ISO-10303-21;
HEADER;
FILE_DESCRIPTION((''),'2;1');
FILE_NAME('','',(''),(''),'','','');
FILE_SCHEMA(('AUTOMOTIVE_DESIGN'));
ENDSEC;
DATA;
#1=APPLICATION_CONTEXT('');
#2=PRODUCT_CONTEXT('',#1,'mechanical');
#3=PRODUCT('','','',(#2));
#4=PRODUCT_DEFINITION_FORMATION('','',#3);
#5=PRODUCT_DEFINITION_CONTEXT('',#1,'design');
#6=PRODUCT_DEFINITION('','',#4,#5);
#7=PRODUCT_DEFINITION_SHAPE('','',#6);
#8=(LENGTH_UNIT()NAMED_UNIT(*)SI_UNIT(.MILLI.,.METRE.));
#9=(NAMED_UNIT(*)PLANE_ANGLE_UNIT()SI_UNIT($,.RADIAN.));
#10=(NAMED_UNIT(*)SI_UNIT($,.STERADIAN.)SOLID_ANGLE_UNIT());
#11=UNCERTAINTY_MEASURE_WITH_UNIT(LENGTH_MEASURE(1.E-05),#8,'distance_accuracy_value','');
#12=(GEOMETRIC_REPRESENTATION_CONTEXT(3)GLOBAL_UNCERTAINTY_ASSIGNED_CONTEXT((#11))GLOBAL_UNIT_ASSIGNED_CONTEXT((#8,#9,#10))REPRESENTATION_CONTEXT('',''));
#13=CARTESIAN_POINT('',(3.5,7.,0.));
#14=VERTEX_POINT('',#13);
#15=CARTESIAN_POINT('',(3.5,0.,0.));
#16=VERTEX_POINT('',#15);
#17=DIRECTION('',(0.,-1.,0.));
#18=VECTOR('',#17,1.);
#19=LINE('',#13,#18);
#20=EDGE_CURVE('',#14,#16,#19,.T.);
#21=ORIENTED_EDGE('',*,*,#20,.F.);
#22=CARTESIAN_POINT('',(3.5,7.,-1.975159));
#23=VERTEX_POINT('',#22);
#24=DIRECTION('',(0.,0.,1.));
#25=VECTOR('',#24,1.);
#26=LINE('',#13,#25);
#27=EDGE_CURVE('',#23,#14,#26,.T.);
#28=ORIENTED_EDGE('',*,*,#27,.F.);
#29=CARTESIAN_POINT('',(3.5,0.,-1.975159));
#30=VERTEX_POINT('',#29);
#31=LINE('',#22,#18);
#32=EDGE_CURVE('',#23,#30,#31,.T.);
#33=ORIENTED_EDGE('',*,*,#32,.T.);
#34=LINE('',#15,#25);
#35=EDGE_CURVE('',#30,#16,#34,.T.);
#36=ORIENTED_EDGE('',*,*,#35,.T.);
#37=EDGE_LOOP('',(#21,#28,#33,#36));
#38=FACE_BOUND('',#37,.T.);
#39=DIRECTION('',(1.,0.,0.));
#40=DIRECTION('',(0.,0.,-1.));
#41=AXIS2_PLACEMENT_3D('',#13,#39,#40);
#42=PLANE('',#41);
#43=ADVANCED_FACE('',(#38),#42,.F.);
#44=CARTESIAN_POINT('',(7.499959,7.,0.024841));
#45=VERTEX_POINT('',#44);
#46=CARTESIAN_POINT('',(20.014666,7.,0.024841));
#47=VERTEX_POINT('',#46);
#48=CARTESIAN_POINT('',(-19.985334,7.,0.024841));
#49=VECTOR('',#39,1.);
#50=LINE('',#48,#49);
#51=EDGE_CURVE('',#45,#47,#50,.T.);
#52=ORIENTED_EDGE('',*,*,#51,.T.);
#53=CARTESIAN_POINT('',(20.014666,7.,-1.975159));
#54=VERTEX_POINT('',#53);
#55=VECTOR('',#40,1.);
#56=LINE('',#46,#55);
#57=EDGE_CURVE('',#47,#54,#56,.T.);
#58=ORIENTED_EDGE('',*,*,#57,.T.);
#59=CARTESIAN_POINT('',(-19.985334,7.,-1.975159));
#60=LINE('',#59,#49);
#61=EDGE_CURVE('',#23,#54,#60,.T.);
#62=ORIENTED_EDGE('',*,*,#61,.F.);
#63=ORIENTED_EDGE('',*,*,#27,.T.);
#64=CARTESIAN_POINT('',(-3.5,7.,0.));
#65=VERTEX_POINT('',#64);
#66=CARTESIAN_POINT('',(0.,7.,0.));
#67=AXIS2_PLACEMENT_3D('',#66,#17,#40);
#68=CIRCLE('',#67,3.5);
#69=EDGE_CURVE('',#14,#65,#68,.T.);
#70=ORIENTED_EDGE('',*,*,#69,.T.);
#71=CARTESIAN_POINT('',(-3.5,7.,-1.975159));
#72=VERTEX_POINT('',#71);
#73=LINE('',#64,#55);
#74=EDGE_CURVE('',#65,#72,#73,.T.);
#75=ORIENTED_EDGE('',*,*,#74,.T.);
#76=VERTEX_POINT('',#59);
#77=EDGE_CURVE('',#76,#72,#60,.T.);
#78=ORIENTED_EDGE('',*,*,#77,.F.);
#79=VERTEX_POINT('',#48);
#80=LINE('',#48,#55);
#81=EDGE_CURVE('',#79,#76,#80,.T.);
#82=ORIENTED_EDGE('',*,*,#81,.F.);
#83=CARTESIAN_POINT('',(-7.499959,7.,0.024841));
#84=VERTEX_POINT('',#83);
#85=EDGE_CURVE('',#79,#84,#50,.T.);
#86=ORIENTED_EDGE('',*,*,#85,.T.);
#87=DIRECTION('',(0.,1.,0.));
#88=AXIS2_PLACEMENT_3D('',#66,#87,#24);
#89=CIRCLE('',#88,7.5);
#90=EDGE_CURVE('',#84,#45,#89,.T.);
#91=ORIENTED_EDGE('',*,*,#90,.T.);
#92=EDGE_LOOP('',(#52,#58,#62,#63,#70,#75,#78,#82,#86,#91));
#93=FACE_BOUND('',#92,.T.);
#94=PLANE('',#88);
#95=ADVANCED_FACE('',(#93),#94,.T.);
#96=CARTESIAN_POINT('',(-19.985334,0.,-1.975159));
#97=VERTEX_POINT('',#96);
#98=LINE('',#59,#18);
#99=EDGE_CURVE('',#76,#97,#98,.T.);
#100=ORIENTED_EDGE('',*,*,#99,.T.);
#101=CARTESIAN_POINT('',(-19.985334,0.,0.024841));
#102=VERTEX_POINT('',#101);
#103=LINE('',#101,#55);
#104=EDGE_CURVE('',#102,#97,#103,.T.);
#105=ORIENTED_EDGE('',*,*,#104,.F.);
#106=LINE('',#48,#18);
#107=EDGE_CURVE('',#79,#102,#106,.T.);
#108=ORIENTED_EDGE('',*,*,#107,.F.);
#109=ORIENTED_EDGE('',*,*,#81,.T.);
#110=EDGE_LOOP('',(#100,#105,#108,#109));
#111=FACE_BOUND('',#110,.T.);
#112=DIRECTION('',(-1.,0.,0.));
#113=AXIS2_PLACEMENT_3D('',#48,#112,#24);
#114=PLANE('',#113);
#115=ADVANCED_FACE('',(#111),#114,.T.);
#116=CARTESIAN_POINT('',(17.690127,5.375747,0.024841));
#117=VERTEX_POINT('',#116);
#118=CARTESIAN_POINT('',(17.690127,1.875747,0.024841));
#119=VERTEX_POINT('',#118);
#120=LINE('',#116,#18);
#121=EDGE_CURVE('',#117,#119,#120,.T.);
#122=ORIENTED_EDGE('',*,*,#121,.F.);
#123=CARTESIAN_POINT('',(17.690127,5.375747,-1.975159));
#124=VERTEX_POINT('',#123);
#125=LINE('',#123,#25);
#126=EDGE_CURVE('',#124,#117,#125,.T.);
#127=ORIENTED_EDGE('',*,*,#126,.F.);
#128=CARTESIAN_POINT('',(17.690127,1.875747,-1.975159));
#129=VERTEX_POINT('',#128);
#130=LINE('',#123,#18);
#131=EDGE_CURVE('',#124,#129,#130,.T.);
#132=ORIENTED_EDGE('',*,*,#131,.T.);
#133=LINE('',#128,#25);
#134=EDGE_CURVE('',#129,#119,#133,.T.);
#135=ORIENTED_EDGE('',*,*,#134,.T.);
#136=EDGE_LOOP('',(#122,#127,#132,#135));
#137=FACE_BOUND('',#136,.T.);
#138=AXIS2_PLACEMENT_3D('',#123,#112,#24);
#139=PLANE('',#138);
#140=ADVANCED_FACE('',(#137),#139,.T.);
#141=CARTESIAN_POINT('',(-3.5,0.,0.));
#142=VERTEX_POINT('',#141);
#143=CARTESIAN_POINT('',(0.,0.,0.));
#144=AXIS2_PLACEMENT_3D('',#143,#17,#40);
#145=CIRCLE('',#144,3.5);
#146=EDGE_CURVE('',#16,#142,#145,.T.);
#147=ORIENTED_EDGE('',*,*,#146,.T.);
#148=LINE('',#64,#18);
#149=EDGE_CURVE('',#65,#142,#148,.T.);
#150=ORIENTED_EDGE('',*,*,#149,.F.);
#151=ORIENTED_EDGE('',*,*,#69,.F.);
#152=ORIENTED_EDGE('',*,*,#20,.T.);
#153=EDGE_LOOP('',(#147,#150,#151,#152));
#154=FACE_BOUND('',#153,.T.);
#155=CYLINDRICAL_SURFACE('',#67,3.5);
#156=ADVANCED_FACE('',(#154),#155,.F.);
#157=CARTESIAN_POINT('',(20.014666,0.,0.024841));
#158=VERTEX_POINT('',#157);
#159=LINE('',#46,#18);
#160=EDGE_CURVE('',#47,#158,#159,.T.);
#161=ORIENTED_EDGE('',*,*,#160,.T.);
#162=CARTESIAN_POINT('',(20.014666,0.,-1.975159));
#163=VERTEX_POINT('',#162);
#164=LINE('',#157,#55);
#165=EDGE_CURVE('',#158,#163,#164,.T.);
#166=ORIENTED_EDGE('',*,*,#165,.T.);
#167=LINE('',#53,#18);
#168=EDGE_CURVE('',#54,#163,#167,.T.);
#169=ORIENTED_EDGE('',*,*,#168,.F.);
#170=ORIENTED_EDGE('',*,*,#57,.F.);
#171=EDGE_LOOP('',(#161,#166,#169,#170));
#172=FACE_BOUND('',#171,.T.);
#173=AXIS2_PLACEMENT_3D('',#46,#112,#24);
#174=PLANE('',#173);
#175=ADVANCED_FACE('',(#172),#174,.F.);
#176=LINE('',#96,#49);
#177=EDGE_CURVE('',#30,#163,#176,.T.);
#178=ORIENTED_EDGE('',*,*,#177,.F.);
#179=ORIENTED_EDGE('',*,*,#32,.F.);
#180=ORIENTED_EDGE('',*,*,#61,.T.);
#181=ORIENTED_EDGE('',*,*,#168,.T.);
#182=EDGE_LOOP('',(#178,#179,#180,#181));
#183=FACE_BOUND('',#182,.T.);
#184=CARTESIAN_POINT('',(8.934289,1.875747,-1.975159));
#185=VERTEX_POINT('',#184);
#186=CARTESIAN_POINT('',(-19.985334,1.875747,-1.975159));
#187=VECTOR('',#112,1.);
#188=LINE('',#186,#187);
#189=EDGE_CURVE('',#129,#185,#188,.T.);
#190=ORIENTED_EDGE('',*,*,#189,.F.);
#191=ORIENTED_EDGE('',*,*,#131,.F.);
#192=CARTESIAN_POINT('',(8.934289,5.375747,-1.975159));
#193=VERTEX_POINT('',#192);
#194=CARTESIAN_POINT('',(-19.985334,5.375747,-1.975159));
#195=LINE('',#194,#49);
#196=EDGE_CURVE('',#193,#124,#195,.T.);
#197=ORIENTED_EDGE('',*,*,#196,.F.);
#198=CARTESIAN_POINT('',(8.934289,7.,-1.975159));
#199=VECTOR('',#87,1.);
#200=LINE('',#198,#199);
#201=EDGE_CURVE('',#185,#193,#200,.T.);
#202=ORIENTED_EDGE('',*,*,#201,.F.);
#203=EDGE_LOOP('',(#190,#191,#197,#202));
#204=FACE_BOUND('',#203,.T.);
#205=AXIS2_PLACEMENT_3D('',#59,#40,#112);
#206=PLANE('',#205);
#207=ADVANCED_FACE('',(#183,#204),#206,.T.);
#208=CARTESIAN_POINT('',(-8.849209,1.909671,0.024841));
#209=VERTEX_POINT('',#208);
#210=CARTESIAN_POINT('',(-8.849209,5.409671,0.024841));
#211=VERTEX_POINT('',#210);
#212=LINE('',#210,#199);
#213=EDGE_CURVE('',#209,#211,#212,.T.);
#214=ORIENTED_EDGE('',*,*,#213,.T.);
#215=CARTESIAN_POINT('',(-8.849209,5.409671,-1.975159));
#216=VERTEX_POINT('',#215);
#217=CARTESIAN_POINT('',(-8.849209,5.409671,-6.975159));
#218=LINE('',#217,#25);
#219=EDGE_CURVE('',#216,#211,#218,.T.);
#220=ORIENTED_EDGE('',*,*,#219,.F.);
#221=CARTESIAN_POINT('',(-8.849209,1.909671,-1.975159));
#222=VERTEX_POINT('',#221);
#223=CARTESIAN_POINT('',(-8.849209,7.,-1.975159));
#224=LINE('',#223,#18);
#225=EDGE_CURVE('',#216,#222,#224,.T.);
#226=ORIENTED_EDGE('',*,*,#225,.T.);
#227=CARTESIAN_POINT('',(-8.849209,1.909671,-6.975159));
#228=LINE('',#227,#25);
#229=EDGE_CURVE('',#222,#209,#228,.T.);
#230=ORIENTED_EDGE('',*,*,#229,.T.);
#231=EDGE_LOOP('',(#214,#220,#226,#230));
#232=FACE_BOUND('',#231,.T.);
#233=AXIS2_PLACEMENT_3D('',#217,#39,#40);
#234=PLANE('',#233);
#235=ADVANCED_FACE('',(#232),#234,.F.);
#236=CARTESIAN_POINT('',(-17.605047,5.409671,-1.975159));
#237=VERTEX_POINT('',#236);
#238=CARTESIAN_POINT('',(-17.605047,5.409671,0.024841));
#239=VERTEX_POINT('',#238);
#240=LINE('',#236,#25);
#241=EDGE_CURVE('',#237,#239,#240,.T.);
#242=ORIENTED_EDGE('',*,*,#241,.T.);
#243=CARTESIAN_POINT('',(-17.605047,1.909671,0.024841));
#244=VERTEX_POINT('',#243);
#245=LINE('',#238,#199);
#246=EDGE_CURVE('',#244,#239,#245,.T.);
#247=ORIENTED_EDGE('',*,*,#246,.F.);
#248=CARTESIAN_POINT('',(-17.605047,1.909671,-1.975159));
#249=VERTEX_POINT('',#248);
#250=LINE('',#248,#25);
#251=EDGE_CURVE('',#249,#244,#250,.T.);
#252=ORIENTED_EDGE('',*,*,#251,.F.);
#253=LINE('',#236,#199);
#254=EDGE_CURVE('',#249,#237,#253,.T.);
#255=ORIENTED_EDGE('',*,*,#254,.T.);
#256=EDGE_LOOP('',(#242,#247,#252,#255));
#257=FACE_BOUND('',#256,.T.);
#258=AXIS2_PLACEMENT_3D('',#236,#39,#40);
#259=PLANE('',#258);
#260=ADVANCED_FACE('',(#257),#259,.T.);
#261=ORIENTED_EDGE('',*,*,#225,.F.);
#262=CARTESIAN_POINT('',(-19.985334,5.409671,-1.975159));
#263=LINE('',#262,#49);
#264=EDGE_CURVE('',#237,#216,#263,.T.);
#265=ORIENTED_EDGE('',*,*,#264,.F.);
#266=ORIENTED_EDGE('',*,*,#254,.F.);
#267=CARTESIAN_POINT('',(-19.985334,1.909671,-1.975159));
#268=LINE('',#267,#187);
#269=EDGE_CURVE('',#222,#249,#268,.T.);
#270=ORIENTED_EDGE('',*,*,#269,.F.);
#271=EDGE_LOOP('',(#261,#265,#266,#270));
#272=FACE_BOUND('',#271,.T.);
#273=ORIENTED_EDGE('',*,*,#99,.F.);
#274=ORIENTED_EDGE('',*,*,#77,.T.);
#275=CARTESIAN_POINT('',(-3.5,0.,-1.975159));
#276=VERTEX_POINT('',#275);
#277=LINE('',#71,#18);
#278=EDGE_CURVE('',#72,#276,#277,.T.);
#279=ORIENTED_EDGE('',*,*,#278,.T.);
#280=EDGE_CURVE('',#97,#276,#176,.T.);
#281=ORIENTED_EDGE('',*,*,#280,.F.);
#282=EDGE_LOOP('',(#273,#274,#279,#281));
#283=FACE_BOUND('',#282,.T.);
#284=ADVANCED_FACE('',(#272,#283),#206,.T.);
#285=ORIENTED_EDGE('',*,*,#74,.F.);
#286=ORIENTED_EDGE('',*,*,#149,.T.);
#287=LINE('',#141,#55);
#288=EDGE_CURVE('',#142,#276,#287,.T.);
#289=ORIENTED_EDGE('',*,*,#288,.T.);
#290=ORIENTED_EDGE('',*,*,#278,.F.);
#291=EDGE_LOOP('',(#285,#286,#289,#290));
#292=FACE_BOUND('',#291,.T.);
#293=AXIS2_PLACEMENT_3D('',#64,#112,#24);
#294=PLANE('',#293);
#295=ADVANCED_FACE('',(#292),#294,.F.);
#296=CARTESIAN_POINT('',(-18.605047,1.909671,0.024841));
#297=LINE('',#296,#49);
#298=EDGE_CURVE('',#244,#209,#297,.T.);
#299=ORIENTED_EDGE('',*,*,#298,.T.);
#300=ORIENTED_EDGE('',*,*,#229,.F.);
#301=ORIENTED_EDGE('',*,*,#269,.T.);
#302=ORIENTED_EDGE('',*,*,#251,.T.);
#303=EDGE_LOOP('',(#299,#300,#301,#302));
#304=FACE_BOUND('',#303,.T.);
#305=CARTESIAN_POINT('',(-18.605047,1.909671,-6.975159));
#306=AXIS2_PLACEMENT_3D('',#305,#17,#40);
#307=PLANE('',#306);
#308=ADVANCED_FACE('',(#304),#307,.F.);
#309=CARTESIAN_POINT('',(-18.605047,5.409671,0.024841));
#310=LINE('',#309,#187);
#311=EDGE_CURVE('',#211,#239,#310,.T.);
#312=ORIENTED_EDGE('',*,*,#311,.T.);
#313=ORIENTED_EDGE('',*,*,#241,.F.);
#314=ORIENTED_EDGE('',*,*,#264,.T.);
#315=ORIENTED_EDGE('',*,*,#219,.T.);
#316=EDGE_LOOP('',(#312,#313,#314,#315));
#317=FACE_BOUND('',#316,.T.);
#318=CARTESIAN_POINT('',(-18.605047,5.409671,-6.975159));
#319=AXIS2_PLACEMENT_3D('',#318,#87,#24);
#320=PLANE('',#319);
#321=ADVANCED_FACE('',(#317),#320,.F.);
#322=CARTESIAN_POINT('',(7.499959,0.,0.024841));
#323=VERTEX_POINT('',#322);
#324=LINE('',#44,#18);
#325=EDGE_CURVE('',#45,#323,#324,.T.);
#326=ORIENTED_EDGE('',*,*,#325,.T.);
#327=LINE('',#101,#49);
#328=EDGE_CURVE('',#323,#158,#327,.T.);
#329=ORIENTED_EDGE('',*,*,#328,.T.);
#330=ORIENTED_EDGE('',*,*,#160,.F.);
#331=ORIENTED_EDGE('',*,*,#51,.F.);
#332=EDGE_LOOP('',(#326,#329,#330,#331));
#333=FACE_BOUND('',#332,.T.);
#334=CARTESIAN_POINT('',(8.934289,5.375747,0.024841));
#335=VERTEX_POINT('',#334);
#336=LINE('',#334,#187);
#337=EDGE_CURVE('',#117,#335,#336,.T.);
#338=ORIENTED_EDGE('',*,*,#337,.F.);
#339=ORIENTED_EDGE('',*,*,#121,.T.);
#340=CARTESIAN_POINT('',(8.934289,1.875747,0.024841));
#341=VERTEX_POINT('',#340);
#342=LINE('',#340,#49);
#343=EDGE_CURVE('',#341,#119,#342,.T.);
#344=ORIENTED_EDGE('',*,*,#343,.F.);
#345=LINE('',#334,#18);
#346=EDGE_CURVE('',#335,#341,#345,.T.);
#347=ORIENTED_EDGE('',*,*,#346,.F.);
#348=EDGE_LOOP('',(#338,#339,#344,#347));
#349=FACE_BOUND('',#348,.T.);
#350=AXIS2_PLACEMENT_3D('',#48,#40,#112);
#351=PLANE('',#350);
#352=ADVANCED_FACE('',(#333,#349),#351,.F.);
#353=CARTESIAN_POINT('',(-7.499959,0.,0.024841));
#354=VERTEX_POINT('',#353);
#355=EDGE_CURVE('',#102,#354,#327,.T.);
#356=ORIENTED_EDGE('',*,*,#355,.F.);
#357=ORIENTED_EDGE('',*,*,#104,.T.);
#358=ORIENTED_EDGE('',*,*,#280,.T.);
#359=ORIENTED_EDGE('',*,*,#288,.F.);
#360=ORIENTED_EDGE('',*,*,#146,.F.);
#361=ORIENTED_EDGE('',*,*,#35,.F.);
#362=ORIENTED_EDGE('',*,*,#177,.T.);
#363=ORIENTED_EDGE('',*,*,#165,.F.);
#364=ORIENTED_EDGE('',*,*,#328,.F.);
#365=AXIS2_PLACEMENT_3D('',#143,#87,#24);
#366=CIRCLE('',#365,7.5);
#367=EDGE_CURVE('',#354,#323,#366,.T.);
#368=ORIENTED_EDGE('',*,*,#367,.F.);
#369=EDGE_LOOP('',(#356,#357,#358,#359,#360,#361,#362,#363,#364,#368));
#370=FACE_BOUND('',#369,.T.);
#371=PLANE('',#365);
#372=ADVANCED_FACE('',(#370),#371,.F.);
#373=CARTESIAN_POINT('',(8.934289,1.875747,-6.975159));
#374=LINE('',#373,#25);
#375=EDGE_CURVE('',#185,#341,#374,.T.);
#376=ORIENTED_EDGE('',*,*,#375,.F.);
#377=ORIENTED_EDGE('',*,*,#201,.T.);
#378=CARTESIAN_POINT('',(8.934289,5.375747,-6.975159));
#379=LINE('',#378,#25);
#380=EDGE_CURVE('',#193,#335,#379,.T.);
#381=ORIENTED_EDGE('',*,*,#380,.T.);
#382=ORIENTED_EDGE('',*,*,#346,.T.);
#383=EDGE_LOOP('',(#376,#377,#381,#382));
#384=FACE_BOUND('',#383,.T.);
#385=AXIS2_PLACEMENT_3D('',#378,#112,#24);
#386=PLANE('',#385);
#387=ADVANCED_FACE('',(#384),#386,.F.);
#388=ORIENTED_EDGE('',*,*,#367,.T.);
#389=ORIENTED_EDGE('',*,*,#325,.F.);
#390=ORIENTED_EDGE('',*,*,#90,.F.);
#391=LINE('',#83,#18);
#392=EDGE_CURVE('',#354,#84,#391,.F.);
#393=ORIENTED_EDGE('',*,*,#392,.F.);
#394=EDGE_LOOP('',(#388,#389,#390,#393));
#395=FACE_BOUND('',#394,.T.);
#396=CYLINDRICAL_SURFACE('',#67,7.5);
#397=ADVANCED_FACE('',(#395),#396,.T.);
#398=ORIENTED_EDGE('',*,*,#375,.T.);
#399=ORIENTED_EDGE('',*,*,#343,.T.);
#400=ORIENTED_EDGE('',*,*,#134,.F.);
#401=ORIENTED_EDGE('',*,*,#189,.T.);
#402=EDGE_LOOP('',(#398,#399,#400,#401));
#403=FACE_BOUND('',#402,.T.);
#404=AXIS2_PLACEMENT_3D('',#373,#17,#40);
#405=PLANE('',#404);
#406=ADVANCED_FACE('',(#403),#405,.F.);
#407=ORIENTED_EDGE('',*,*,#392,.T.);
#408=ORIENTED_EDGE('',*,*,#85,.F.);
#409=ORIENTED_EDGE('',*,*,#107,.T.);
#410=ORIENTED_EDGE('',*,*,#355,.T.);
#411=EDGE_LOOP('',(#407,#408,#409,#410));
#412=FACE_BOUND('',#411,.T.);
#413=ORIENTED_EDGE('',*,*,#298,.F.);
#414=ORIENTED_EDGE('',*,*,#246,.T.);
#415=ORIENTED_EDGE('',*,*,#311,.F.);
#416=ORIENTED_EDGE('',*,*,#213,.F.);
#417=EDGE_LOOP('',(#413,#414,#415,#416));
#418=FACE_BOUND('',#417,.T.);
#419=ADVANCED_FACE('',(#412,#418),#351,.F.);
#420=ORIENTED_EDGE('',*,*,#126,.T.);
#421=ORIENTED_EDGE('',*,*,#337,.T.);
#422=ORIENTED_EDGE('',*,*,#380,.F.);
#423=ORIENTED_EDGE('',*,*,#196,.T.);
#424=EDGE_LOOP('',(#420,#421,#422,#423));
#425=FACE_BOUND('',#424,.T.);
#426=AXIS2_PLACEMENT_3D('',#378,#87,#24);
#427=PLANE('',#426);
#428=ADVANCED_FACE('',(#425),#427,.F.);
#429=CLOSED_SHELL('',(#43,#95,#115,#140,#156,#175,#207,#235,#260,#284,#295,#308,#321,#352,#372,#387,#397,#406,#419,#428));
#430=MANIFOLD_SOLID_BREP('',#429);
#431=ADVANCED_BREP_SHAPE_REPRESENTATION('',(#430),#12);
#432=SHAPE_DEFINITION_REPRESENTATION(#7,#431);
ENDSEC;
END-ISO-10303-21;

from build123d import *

# Parameters (mm, degrees)
SKETCH_1_R          = 7.5
EXTRUDE_4_DEPTH     = 7
SKETCH_4_W          = 40
SKETCH_4_H          = 2
EXTRUDE_5_DEPTH     = 7
SKETCH_5_W          = 16.420397205
SKETCH_5_H          = 7.153518057
CUT_EXTRUDE_1_DEPTH = 7
SKETCH_6_R          = 5.50001496
CUT_EXTRUDE_2_DEPTH = 7
SKETCH_7_W          = 11.00002992
SKETCH_7_H          = 1.975158718
CUT_EXTRUDE_3_DEPTH = 7
SKETCH_9_W          = 9.755837775
SKETCH_9_H          = 3.5
SKETCH_9_W_2        = 9.755837774
CUT_EXTRUDE_4_DEPTH = 7
SKETCH_10_W         = 1
SKETCH_10_H         = 3.5
EXTRUDE_6_DEPTH     = 2
SKETCH_11_W         = 1
SKETCH_11_H         = 3.5
EXTRUDE_7_DEPTH     = 2
SKETCH_12_R         = 5.944171322
EXTRUDE_8_DEPTH     = 7
SKETCH_13_W         = 14.038978355
SKETCH_13_H         = 4.452309985
CUT_EXTRUDE_5_DEPTH = 7
SKETCH_14_R         = 3.5
CUT_EXTRUDE_6_DEPTH = 7
SKETCH_15_W         = 7
SKETCH_15_H         = 1.975158718
CUT_EXTRUDE_7_DEPTH = 7


with BuildPart() as part:
    # 草图1 → 凸台-拉伸4 (new body)
    with BuildSketch(Plane(origin=(0, 0, 0), x_dir=(1, 0, 0), z_dir=(0, 1, 0))):
        with Locations(Location((0, 0, 0), (0, 0, 270))):
            Circle(SKETCH_1_R)
    extrude(amount=EXTRUDE_4_DEPTH)

    # 草图4 → 凸台-拉伸5 (add)
    with BuildSketch(Plane.XZ):
        with Locations((0.014666229, -0.975158718)):
            Rectangle(SKETCH_4_W, SKETCH_4_H)
    extrude(amount=-EXTRUDE_5_DEPTH)

    # 草图5 → 切除-拉伸1 (cut)
    with BuildSketch(Plane(origin=(0, 0, 0), x_dir=(-1, 0, 0), z_dir=(0, -1, 0))):
        with Locations((-0.974955135, 5.551917747)):
            Rectangle(SKETCH_5_W, SKETCH_5_H)
    extrude(amount=-CUT_EXTRUDE_1_DEPTH, mode=Mode.SUBTRACT)

    # 草图6 → 切除-拉伸2 (cut)
    with BuildSketch(Plane.XZ):
        Circle(SKETCH_6_R)
    extrude(amount=-CUT_EXTRUDE_2_DEPTH, mode=Mode.SUBTRACT)

    # 草图7 → 切除-拉伸3 (cut)
    with BuildSketch(Plane(origin=(0, 7, 0), x_dir=(1, 0, 0), z_dir=(0, 1, 0))):
        with Locations((0, 0.987579359)):
            Rectangle(SKETCH_7_W, SKETCH_7_H)
    extrude(amount=-CUT_EXTRUDE_3_DEPTH, mode=Mode.SUBTRACT)

    # 草图9 → 切除-拉伸4 (cut)
    with BuildSketch(Plane.XY.offset(0.024841282)):
        with Locations((-13.727128122, 3.659671281)):
            Rectangle(SKETCH_9_W, SKETCH_9_H)
        with Locations((13.812208225, 3.62574666)):
            Rectangle(SKETCH_9_W_2, SKETCH_9_H)
    extrude(amount=-CUT_EXTRUDE_4_DEPTH, mode=Mode.SUBTRACT)

    # 草图10 → 凸台-拉伸6 (add)
    with BuildSketch(Plane.XY.offset(0.024841282)):
        with Locations((18.190127112, 3.62574666)):
            Rectangle(SKETCH_10_W, SKETCH_10_H)
    extrude(amount=-EXTRUDE_6_DEPTH)

    # 草图11 → 凸台-拉伸7 (add)
    with BuildSketch(Plane.XY.offset(0.024841282)):
        with Locations((-18.10504701, 3.659671281)):
            Rectangle(SKETCH_11_W, SKETCH_11_H)
    extrude(amount=-EXTRUDE_7_DEPTH)

    # 草图12 → 凸台-拉伸8 (add)
    with BuildSketch(Plane(origin=(0, 0, 0), x_dir=(-1, 0, 0), z_dir=(0, -1, 0))):
        Circle(SKETCH_12_R)
    extrude(amount=-EXTRUDE_8_DEPTH)

    # 草图13 → 切除-拉伸5 (cut)
    with BuildSketch(Plane(origin=(0, 0, 0), x_dir=(-1, 0, 0), z_dir=(0, -1, 0))):
        with Locations((-1.413071361, 4.201313711)):
            Rectangle(SKETCH_13_W, SKETCH_13_H)
    extrude(amount=-CUT_EXTRUDE_5_DEPTH, mode=Mode.SUBTRACT)

    # 草图14 → 切除-拉伸6 (cut)
    with BuildSketch(Plane.XZ):
        Circle(SKETCH_14_R)
    extrude(amount=-CUT_EXTRUDE_6_DEPTH, mode=Mode.SUBTRACT)

    # 草图15 → 切除-拉伸7 (cut)
    with BuildSketch(Plane.XZ):
        with Locations((0, -0.987579359)):
            Rectangle(SKETCH_15_W, SKETCH_15_H)
    extrude(amount=-CUT_EXTRUDE_7_DEPTH, mode=Mode.SUBTRACT)


solid = part.part
